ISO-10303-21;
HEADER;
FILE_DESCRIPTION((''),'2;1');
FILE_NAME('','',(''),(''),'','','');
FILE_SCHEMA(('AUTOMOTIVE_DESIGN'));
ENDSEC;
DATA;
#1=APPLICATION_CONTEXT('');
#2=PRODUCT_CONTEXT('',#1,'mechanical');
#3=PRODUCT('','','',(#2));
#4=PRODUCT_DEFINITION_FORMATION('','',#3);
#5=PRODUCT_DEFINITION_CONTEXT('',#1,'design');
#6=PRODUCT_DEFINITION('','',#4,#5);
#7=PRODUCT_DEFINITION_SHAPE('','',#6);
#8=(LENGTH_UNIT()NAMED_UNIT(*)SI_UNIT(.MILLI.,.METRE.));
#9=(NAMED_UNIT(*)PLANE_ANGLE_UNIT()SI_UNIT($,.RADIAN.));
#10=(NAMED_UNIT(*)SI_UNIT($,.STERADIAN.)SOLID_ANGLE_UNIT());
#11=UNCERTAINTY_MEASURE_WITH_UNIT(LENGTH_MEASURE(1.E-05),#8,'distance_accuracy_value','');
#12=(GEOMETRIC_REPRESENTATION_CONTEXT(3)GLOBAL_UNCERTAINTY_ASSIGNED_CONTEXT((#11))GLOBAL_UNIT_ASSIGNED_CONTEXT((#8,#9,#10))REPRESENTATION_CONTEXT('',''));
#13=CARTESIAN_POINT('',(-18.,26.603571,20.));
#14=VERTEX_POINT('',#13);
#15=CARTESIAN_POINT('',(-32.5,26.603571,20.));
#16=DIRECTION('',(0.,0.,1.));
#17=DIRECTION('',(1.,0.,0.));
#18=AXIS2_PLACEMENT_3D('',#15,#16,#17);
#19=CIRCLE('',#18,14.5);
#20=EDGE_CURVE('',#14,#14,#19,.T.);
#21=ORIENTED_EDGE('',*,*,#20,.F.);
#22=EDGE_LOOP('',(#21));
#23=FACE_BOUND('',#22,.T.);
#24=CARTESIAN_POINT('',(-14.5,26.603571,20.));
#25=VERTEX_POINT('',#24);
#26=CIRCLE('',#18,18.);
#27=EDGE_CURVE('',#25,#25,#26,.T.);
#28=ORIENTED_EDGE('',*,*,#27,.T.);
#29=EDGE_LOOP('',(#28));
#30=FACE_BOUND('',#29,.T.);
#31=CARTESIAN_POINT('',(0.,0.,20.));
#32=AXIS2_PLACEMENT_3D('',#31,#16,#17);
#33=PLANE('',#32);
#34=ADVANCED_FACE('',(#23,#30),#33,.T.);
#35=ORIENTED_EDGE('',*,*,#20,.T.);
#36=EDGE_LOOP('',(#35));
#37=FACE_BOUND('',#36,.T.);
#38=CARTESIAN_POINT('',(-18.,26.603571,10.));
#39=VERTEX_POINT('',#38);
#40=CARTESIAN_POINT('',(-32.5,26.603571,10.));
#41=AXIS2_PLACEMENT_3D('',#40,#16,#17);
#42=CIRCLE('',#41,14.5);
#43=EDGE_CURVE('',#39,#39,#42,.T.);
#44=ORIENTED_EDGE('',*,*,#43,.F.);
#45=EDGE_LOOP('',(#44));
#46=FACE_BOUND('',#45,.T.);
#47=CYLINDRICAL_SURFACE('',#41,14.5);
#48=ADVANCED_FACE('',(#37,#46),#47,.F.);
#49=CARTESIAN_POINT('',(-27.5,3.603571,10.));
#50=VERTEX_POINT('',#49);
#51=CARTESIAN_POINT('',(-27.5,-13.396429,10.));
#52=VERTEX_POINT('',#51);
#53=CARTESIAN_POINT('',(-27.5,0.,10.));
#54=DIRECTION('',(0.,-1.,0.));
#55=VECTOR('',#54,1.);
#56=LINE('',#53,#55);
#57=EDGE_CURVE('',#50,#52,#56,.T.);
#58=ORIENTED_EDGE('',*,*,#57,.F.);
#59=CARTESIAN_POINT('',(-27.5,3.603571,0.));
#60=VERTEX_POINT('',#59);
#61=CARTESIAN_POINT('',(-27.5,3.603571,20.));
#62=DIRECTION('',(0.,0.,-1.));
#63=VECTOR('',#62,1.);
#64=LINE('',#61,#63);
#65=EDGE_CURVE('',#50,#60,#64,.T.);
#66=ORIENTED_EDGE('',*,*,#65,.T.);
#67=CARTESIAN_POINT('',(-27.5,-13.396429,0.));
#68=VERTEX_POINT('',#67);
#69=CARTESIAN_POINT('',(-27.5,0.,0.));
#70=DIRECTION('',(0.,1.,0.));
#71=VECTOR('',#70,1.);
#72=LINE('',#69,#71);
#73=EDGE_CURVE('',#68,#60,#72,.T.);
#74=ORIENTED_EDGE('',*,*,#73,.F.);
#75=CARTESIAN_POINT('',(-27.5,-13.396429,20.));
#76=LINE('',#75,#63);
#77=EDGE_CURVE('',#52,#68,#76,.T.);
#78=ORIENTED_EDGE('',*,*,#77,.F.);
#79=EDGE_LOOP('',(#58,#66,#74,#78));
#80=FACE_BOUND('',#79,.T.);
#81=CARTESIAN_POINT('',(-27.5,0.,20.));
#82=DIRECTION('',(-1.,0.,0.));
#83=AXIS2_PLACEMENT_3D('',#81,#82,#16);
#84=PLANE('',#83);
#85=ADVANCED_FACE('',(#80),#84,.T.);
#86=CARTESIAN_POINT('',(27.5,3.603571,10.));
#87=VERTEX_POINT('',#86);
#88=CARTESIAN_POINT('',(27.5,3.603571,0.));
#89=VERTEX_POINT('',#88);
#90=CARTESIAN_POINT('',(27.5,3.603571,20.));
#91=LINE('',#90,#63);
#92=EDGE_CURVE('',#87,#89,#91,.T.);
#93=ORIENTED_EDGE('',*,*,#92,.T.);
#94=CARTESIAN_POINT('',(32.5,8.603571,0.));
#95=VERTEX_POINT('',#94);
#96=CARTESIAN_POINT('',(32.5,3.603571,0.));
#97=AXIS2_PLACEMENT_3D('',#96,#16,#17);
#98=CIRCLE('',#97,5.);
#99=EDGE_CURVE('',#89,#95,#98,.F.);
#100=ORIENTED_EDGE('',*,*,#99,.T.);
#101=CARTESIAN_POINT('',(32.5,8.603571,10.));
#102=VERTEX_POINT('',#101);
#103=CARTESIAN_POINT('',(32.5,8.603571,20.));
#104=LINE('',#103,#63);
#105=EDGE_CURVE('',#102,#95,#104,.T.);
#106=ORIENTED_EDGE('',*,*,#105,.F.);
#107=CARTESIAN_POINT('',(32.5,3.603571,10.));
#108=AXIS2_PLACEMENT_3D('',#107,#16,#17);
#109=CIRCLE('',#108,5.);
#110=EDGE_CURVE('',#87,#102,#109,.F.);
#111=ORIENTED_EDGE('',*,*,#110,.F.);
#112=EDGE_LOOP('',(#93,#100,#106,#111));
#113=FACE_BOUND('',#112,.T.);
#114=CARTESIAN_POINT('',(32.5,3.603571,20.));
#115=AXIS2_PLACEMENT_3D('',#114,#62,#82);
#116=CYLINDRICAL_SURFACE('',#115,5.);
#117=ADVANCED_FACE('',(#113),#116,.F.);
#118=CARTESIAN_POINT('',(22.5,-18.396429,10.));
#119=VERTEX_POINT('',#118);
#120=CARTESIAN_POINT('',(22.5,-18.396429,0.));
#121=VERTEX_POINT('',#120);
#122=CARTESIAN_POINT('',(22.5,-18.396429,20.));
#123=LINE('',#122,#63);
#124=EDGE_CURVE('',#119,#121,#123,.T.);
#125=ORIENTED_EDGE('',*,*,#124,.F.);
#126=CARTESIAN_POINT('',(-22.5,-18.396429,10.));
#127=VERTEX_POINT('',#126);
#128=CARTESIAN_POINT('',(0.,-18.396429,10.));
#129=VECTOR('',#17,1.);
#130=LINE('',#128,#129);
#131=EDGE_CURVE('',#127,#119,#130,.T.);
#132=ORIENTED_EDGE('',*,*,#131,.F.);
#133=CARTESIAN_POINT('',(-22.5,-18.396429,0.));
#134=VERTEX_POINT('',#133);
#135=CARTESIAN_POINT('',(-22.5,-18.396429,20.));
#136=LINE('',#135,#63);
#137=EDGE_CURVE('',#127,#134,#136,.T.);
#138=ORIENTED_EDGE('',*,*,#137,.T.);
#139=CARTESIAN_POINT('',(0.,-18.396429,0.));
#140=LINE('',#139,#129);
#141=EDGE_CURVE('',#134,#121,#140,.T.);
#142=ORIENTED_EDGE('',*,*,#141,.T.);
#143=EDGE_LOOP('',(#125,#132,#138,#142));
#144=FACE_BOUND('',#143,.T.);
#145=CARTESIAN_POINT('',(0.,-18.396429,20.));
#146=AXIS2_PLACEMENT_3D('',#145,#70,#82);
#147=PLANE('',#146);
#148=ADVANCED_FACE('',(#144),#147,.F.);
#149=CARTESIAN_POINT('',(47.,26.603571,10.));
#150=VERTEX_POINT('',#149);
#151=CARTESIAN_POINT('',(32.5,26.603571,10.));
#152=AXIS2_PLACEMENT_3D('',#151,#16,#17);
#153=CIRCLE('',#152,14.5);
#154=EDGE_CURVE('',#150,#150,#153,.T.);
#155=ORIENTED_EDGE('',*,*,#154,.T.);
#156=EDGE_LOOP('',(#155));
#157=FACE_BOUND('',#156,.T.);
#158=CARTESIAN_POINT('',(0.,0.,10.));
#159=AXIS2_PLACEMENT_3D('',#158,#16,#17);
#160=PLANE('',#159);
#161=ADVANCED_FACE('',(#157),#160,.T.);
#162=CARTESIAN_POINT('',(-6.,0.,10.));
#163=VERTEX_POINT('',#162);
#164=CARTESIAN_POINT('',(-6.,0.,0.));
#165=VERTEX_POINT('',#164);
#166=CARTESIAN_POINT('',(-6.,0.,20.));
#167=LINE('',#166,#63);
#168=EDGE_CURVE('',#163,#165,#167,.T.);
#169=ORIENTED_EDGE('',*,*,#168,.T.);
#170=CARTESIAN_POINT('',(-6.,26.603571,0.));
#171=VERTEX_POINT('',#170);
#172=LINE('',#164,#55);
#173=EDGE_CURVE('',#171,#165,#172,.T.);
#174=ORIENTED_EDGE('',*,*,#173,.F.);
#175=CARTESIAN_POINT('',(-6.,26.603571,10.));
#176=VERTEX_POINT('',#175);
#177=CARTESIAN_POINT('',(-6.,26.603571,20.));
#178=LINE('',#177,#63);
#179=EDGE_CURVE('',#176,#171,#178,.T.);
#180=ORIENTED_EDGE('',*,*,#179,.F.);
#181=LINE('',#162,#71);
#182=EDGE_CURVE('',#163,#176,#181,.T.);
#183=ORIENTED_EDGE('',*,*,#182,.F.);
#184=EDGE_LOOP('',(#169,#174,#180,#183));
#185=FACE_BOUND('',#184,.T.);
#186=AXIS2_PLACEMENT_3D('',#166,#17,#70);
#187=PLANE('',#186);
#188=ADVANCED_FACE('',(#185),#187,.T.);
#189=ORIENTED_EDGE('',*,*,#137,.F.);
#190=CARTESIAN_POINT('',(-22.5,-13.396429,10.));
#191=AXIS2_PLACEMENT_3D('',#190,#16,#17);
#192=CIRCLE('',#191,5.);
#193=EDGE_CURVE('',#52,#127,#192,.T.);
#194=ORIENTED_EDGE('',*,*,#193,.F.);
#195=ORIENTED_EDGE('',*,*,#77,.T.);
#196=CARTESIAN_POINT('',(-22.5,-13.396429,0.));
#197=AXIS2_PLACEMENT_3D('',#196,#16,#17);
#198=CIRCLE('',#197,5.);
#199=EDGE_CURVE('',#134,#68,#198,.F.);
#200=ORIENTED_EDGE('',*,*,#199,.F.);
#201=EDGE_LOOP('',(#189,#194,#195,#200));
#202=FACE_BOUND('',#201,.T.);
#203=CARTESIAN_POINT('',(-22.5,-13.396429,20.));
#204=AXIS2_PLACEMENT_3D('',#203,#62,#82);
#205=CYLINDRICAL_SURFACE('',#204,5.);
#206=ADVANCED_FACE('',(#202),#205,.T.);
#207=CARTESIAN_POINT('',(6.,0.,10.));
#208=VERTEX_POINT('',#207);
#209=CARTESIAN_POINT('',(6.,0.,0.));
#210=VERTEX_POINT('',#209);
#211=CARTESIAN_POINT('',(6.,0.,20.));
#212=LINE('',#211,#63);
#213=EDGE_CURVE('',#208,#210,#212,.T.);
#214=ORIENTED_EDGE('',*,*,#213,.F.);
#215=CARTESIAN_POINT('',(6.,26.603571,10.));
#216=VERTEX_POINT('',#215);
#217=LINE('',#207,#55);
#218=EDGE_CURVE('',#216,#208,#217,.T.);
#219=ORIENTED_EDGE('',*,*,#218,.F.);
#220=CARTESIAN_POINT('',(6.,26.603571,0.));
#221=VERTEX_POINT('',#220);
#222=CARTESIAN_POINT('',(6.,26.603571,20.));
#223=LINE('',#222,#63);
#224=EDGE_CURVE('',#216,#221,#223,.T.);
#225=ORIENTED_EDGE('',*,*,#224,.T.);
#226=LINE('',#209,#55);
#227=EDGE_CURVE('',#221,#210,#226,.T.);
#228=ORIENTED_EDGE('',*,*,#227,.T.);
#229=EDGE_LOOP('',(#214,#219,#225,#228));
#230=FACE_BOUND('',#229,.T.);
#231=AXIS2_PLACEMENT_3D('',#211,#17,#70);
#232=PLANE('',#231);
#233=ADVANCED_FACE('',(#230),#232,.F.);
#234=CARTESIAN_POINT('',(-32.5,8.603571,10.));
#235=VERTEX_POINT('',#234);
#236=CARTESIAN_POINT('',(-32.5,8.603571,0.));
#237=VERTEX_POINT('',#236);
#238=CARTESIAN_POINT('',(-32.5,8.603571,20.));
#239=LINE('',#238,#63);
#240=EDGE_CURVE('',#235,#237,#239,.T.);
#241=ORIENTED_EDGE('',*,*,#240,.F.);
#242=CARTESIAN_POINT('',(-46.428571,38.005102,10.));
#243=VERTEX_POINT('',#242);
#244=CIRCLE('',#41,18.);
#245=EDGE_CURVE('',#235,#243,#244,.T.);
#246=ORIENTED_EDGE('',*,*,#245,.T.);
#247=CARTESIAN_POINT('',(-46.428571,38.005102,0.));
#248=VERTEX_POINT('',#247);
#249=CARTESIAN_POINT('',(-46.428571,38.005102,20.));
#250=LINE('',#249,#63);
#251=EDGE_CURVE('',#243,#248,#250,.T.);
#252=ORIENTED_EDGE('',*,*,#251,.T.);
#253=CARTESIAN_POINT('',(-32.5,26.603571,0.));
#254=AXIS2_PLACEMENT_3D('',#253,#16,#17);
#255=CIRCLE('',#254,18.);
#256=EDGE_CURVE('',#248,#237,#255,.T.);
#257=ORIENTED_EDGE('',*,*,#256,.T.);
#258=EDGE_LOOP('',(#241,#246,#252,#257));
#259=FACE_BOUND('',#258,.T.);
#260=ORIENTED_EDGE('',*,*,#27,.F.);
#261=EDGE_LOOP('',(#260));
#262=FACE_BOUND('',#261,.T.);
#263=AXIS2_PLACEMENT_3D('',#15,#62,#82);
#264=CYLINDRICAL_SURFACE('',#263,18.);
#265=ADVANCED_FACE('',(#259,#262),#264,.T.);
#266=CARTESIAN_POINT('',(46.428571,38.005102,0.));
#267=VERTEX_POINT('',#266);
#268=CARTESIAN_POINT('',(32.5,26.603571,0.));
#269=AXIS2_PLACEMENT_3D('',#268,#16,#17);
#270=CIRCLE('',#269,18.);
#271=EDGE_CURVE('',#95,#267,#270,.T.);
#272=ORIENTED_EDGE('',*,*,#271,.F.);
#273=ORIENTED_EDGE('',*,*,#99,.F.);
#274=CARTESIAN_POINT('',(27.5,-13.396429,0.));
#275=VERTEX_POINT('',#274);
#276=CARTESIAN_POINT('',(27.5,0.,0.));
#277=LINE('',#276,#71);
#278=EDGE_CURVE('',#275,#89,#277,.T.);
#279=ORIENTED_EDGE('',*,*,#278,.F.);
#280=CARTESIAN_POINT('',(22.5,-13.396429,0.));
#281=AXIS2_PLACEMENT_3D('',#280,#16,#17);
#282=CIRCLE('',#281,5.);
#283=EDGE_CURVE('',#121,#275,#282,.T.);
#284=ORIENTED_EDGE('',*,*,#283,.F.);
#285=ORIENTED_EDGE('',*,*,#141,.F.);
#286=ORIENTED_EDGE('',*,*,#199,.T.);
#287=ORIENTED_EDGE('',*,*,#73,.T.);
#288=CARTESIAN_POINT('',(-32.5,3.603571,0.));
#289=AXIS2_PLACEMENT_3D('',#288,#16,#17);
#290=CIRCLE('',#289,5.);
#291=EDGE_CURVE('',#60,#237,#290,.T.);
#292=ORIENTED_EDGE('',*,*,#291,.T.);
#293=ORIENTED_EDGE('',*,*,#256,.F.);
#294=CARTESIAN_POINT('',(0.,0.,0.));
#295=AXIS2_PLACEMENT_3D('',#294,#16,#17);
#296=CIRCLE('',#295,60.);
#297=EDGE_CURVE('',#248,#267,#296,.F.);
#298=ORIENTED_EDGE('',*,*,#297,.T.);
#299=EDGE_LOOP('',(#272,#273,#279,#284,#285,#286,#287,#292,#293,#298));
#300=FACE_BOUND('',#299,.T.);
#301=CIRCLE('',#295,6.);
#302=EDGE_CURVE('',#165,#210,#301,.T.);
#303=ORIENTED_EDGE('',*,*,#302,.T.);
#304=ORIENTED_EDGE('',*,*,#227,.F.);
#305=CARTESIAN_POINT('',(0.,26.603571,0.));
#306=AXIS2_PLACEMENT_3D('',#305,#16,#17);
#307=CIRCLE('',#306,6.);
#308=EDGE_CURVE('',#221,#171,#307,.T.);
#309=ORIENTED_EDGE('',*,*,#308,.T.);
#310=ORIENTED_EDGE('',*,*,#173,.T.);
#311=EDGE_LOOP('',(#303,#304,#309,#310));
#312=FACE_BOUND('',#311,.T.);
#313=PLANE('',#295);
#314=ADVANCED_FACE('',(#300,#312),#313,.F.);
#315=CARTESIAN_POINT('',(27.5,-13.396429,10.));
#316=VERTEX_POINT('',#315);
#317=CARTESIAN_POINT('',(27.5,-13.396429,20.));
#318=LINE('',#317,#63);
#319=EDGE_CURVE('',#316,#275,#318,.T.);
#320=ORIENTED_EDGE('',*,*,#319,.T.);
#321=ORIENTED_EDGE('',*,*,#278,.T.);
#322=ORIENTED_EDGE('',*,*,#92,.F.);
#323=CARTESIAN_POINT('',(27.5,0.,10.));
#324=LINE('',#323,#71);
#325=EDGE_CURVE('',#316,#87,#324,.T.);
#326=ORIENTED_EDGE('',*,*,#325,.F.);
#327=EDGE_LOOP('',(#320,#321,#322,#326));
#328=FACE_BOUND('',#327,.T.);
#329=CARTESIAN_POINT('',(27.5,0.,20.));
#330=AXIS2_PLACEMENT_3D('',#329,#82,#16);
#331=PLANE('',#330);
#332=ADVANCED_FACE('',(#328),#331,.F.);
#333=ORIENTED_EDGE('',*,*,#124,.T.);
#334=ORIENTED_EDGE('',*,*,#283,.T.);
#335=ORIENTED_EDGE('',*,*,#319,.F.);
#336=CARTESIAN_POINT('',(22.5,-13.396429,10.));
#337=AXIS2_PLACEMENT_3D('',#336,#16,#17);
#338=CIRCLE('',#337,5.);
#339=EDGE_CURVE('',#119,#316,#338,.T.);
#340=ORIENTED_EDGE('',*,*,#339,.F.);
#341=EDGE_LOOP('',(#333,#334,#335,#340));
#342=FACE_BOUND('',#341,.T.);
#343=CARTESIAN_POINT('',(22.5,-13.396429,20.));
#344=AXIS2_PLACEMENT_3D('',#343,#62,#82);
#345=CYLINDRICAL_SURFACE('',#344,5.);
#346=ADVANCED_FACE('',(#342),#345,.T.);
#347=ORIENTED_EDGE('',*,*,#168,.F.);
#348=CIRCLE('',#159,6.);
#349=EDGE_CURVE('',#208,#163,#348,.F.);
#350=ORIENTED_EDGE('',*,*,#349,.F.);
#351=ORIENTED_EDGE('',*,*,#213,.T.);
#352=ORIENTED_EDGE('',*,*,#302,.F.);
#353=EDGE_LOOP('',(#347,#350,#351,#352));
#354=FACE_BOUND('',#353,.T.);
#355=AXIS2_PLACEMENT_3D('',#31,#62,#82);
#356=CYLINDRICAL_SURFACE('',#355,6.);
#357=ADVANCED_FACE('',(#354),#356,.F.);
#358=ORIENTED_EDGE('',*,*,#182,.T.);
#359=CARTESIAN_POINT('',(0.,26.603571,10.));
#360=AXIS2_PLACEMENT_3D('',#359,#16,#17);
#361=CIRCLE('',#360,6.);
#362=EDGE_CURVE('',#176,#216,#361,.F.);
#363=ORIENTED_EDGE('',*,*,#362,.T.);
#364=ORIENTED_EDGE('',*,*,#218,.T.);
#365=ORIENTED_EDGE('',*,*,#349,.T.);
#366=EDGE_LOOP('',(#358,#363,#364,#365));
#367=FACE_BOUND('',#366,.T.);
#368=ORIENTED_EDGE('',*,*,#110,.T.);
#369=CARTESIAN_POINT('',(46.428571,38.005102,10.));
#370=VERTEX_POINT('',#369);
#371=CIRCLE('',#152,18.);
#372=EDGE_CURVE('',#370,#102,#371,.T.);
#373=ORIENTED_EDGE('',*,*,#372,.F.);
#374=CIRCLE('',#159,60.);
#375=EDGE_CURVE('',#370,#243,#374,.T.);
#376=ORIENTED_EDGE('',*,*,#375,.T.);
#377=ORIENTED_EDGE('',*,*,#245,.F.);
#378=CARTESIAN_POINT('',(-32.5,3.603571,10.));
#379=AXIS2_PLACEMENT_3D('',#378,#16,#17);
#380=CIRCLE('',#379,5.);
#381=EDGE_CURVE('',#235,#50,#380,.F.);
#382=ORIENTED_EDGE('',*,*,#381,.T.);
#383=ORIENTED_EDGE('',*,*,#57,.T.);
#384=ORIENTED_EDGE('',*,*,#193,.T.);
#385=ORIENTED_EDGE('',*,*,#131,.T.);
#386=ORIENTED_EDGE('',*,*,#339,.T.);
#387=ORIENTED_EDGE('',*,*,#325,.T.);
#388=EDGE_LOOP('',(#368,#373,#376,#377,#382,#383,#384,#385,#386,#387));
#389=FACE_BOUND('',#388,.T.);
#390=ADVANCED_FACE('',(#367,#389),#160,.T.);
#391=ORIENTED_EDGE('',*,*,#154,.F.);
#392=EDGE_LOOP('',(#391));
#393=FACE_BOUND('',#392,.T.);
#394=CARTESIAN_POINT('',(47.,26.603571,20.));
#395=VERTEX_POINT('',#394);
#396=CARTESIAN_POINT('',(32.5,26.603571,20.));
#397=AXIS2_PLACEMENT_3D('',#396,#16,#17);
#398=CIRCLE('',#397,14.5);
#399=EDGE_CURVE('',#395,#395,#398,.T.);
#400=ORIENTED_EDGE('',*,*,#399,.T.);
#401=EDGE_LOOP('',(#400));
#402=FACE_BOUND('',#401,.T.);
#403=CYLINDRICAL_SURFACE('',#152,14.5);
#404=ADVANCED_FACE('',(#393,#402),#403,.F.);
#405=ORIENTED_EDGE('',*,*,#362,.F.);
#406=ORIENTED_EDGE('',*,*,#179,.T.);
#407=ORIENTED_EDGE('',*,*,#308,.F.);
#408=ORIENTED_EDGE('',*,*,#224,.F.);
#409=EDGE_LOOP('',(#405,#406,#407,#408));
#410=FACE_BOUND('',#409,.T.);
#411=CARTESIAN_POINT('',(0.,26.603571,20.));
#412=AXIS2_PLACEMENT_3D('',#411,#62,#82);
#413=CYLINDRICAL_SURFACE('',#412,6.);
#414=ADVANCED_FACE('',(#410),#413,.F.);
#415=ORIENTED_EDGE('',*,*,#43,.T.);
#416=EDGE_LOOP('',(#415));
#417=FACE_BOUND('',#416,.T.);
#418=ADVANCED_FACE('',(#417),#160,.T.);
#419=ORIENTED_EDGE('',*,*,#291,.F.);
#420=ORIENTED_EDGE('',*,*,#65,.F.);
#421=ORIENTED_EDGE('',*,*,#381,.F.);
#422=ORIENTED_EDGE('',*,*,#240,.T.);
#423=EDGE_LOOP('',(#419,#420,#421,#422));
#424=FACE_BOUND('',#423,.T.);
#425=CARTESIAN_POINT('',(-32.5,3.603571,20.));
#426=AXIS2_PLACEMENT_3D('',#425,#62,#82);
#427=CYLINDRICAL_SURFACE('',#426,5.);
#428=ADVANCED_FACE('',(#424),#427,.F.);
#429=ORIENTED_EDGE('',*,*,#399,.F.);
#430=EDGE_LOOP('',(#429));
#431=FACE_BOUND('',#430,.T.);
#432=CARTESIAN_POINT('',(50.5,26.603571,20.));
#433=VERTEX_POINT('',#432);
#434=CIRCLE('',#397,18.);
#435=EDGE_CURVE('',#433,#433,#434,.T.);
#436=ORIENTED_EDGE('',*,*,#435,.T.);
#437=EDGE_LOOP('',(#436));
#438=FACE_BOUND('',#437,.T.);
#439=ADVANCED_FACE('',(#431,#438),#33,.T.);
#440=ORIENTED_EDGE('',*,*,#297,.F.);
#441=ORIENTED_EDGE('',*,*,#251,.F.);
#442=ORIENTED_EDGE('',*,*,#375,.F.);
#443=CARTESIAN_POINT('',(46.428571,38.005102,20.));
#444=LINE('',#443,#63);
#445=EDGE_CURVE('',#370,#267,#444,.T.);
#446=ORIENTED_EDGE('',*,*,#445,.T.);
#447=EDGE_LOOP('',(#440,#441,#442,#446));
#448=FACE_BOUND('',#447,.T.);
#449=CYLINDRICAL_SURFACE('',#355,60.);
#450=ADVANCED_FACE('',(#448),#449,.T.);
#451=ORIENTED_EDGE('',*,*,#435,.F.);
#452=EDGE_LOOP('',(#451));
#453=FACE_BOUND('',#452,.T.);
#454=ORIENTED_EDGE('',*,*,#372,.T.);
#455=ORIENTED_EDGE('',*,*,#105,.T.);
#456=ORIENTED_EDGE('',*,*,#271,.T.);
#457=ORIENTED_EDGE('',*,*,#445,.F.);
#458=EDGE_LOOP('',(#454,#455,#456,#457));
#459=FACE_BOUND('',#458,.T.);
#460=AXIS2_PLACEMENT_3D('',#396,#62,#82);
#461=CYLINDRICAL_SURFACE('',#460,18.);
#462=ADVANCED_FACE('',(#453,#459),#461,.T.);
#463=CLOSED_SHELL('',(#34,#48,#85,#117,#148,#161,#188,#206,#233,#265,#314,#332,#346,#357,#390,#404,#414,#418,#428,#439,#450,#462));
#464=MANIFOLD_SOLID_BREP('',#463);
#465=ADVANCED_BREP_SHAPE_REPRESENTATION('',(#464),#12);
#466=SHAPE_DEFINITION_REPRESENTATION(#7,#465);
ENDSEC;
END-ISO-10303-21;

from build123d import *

# Parameters (mm, degrees)
SZKIC1_R                    = 18
SZKIC1_R_2                  = 13
DODANIE_WYCI_GNI_CIE5_DEPTH = 20
WYTNIJ_WYCI_GNI_CIE1_START  = -10
SZKIC3_R                    = 14.5
WYTNIJ_WYCI_GNI_CIE1_DEPTH  = 10


with BuildPart() as part:
    # Szkic1 → Dodanie-wyciągnięcie5 (new body)
    # profile 1 of 5: a face of its own
    with BuildSketch(Plane.XY):
        with BuildLine():
            ThreePointArc((-27.5, -13.396428811), (-26.035533906, -16.931962717), (-22.5, -18.396428811))
            Line((-22.5, -18.396428811), (22.5, -18.396428811))
            ThreePointArc((22.5, -18.396428811), (26.035533906, -16.931962717), (27.5, -13.396428811))
            Line((27.5, -13.396428811), (27.5, 3.603571189))
            ThreePointArc((27.5, 3.603571189), (28.964466094, 7.139105095), (32.5, 8.603571189))
            ThreePointArc((32.5, 8.603571189), (16.233046549, 34.309817059), (46.428571429, 38.005101698))
            ThreePointArc((46.428571429, 38.005101698), (0, 60), (-46.428571429, 38.005101698))
            ThreePointArc((-46.428571429, 38.005101698), (-26.446665618, 43.555182996), (-14.5, 26.603571189))
            ThreePointArc((-14.5, 26.603571189), (-19.772077939, 13.875649127), (-32.5, 8.603571189))
            ThreePointArc((-32.5, 8.603571189), (-28.964466094, 7.139105095), (-27.5, 3.603571189))
            Line((-27.5, 3.603571189), (-27.5, -13.396428811))
        make_face()
        with BuildLine():
            Line((-6, 0), (-6, 26.603571189))
            ThreePointArc((-6, 26.603571189), (0, 32.603571189), (6, 26.603571189))
            Line((6, 26.603571189), (6, 0))
            ThreePointArc((6, 0), (0, -6), (-6, 0))
        make_face(mode=Mode.SUBTRACT)
    # profile 2 of 5: a face of its own
    with BuildSketch(Plane.XY):
        with Locations((-32.5, 26.603571189)):
            Circle(SZKIC1_R)
        with Locations((-32.5, 26.603571189)):
            Circle(SZKIC1_R_2, mode=Mode.SUBTRACT)
    # profile 3 of 5: a face of its own
    with BuildSketch(Plane.XY):
        with Locations((32.5, 26.603571189)):
            Circle(SZKIC1_R)
        with Locations((32.5, 26.603571189)):
            Circle(SZKIC1_R_2, mode=Mode.SUBTRACT)
    # profile 4 of 5: a face of its own
    with BuildSketch(Plane.XY):
        with Locations((32.5, 26.603571189)):
            Circle(SZKIC1_R_2)
    # profile 5 of 5: a face of its own
    with BuildSketch(Plane.XY):
        with Locations((-32.5, 26.603571189)):
            Circle(SZKIC1_R_2)
    extrude(amount=DODANIE_WYCI_GNI_CIE5_DEPTH)

    # Szkic3 → Wytnij-wyciągnięcie1 (cut)
    # profile 1 of 3: a face of its own
    with BuildSketch(Plane.XY.offset(20).offset(WYTNIJ_WYCI_GNI_CIE1_START)):
        with BuildLine():
            ThreePointArc((-32.5, 8.603571189), (-28.964466094, 7.139105095), (-27.5, 3.603571189))
            Line((-27.5, 3.603571189), (-27.5, -13.396428811))
            ThreePointArc((-27.5, -13.396428811), (-26.035533906, -16.931962717), (-22.5, -18.396428811))
            Line((-22.5, -18.396428811), (22.5, -18.396428811))
            ThreePointArc((22.5, -18.396428811), (26.035533906, -16.931962717), (27.5, -13.396428811))
            Line((27.5, -13.396428811), (27.5, 3.603571189))
            ThreePointArc((27.5, 3.603571189), (28.964466094, 7.139105095), (32.5, 8.603571189))
            ThreePointArc((32.5, 8.603571189), (16.233046549, 34.309817059), (46.428571429, 38.005101698))
            ThreePointArc((46.428571429, 38.005101698), (0, 60), (-46.428571429, 38.005101698))
            ThreePointArc((-46.428571429, 38.005101698), (-26.446665618, 43.555182996), (-14.5, 26.603571189))
            ThreePointArc((-14.5, 26.603571189), (-19.772077939, 13.875649127), (-32.5, 8.603571189))
        make_face()
        with BuildLine():
            Line((-6, 0), (-6, 26.603571189))
            ThreePointArc((-6, 26.603571189), (0, 32.603571189), (6, 26.603571189))
            Line((6, 26.603571189), (6, 0))
            ThreePointArc((6, 0), (0, -6), (-6, 0))
        make_face(mode=Mode.SUBTRACT)
    # profile 2 of 3: a face of its own
    with BuildSketch(Plane.XY.offset(20).offset(WYTNIJ_WYCI_GNI_CIE1_START)):
        with Locations((-32.5, 26.603571189)):
            Circle(SZKIC3_R)
    # profile 3 of 3: a face of its own
    with BuildSketch(Plane.XY.offset(20).offset(WYTNIJ_WYCI_GNI_CIE1_START)):
        with Locations((32.5, 26.603571189)):
            Circle(SZKIC3_R)
    extrude(amount=WYTNIJ_WYCI_GNI_CIE1_DEPTH, mode=Mode.SUBTRACT)


solid = part.part
